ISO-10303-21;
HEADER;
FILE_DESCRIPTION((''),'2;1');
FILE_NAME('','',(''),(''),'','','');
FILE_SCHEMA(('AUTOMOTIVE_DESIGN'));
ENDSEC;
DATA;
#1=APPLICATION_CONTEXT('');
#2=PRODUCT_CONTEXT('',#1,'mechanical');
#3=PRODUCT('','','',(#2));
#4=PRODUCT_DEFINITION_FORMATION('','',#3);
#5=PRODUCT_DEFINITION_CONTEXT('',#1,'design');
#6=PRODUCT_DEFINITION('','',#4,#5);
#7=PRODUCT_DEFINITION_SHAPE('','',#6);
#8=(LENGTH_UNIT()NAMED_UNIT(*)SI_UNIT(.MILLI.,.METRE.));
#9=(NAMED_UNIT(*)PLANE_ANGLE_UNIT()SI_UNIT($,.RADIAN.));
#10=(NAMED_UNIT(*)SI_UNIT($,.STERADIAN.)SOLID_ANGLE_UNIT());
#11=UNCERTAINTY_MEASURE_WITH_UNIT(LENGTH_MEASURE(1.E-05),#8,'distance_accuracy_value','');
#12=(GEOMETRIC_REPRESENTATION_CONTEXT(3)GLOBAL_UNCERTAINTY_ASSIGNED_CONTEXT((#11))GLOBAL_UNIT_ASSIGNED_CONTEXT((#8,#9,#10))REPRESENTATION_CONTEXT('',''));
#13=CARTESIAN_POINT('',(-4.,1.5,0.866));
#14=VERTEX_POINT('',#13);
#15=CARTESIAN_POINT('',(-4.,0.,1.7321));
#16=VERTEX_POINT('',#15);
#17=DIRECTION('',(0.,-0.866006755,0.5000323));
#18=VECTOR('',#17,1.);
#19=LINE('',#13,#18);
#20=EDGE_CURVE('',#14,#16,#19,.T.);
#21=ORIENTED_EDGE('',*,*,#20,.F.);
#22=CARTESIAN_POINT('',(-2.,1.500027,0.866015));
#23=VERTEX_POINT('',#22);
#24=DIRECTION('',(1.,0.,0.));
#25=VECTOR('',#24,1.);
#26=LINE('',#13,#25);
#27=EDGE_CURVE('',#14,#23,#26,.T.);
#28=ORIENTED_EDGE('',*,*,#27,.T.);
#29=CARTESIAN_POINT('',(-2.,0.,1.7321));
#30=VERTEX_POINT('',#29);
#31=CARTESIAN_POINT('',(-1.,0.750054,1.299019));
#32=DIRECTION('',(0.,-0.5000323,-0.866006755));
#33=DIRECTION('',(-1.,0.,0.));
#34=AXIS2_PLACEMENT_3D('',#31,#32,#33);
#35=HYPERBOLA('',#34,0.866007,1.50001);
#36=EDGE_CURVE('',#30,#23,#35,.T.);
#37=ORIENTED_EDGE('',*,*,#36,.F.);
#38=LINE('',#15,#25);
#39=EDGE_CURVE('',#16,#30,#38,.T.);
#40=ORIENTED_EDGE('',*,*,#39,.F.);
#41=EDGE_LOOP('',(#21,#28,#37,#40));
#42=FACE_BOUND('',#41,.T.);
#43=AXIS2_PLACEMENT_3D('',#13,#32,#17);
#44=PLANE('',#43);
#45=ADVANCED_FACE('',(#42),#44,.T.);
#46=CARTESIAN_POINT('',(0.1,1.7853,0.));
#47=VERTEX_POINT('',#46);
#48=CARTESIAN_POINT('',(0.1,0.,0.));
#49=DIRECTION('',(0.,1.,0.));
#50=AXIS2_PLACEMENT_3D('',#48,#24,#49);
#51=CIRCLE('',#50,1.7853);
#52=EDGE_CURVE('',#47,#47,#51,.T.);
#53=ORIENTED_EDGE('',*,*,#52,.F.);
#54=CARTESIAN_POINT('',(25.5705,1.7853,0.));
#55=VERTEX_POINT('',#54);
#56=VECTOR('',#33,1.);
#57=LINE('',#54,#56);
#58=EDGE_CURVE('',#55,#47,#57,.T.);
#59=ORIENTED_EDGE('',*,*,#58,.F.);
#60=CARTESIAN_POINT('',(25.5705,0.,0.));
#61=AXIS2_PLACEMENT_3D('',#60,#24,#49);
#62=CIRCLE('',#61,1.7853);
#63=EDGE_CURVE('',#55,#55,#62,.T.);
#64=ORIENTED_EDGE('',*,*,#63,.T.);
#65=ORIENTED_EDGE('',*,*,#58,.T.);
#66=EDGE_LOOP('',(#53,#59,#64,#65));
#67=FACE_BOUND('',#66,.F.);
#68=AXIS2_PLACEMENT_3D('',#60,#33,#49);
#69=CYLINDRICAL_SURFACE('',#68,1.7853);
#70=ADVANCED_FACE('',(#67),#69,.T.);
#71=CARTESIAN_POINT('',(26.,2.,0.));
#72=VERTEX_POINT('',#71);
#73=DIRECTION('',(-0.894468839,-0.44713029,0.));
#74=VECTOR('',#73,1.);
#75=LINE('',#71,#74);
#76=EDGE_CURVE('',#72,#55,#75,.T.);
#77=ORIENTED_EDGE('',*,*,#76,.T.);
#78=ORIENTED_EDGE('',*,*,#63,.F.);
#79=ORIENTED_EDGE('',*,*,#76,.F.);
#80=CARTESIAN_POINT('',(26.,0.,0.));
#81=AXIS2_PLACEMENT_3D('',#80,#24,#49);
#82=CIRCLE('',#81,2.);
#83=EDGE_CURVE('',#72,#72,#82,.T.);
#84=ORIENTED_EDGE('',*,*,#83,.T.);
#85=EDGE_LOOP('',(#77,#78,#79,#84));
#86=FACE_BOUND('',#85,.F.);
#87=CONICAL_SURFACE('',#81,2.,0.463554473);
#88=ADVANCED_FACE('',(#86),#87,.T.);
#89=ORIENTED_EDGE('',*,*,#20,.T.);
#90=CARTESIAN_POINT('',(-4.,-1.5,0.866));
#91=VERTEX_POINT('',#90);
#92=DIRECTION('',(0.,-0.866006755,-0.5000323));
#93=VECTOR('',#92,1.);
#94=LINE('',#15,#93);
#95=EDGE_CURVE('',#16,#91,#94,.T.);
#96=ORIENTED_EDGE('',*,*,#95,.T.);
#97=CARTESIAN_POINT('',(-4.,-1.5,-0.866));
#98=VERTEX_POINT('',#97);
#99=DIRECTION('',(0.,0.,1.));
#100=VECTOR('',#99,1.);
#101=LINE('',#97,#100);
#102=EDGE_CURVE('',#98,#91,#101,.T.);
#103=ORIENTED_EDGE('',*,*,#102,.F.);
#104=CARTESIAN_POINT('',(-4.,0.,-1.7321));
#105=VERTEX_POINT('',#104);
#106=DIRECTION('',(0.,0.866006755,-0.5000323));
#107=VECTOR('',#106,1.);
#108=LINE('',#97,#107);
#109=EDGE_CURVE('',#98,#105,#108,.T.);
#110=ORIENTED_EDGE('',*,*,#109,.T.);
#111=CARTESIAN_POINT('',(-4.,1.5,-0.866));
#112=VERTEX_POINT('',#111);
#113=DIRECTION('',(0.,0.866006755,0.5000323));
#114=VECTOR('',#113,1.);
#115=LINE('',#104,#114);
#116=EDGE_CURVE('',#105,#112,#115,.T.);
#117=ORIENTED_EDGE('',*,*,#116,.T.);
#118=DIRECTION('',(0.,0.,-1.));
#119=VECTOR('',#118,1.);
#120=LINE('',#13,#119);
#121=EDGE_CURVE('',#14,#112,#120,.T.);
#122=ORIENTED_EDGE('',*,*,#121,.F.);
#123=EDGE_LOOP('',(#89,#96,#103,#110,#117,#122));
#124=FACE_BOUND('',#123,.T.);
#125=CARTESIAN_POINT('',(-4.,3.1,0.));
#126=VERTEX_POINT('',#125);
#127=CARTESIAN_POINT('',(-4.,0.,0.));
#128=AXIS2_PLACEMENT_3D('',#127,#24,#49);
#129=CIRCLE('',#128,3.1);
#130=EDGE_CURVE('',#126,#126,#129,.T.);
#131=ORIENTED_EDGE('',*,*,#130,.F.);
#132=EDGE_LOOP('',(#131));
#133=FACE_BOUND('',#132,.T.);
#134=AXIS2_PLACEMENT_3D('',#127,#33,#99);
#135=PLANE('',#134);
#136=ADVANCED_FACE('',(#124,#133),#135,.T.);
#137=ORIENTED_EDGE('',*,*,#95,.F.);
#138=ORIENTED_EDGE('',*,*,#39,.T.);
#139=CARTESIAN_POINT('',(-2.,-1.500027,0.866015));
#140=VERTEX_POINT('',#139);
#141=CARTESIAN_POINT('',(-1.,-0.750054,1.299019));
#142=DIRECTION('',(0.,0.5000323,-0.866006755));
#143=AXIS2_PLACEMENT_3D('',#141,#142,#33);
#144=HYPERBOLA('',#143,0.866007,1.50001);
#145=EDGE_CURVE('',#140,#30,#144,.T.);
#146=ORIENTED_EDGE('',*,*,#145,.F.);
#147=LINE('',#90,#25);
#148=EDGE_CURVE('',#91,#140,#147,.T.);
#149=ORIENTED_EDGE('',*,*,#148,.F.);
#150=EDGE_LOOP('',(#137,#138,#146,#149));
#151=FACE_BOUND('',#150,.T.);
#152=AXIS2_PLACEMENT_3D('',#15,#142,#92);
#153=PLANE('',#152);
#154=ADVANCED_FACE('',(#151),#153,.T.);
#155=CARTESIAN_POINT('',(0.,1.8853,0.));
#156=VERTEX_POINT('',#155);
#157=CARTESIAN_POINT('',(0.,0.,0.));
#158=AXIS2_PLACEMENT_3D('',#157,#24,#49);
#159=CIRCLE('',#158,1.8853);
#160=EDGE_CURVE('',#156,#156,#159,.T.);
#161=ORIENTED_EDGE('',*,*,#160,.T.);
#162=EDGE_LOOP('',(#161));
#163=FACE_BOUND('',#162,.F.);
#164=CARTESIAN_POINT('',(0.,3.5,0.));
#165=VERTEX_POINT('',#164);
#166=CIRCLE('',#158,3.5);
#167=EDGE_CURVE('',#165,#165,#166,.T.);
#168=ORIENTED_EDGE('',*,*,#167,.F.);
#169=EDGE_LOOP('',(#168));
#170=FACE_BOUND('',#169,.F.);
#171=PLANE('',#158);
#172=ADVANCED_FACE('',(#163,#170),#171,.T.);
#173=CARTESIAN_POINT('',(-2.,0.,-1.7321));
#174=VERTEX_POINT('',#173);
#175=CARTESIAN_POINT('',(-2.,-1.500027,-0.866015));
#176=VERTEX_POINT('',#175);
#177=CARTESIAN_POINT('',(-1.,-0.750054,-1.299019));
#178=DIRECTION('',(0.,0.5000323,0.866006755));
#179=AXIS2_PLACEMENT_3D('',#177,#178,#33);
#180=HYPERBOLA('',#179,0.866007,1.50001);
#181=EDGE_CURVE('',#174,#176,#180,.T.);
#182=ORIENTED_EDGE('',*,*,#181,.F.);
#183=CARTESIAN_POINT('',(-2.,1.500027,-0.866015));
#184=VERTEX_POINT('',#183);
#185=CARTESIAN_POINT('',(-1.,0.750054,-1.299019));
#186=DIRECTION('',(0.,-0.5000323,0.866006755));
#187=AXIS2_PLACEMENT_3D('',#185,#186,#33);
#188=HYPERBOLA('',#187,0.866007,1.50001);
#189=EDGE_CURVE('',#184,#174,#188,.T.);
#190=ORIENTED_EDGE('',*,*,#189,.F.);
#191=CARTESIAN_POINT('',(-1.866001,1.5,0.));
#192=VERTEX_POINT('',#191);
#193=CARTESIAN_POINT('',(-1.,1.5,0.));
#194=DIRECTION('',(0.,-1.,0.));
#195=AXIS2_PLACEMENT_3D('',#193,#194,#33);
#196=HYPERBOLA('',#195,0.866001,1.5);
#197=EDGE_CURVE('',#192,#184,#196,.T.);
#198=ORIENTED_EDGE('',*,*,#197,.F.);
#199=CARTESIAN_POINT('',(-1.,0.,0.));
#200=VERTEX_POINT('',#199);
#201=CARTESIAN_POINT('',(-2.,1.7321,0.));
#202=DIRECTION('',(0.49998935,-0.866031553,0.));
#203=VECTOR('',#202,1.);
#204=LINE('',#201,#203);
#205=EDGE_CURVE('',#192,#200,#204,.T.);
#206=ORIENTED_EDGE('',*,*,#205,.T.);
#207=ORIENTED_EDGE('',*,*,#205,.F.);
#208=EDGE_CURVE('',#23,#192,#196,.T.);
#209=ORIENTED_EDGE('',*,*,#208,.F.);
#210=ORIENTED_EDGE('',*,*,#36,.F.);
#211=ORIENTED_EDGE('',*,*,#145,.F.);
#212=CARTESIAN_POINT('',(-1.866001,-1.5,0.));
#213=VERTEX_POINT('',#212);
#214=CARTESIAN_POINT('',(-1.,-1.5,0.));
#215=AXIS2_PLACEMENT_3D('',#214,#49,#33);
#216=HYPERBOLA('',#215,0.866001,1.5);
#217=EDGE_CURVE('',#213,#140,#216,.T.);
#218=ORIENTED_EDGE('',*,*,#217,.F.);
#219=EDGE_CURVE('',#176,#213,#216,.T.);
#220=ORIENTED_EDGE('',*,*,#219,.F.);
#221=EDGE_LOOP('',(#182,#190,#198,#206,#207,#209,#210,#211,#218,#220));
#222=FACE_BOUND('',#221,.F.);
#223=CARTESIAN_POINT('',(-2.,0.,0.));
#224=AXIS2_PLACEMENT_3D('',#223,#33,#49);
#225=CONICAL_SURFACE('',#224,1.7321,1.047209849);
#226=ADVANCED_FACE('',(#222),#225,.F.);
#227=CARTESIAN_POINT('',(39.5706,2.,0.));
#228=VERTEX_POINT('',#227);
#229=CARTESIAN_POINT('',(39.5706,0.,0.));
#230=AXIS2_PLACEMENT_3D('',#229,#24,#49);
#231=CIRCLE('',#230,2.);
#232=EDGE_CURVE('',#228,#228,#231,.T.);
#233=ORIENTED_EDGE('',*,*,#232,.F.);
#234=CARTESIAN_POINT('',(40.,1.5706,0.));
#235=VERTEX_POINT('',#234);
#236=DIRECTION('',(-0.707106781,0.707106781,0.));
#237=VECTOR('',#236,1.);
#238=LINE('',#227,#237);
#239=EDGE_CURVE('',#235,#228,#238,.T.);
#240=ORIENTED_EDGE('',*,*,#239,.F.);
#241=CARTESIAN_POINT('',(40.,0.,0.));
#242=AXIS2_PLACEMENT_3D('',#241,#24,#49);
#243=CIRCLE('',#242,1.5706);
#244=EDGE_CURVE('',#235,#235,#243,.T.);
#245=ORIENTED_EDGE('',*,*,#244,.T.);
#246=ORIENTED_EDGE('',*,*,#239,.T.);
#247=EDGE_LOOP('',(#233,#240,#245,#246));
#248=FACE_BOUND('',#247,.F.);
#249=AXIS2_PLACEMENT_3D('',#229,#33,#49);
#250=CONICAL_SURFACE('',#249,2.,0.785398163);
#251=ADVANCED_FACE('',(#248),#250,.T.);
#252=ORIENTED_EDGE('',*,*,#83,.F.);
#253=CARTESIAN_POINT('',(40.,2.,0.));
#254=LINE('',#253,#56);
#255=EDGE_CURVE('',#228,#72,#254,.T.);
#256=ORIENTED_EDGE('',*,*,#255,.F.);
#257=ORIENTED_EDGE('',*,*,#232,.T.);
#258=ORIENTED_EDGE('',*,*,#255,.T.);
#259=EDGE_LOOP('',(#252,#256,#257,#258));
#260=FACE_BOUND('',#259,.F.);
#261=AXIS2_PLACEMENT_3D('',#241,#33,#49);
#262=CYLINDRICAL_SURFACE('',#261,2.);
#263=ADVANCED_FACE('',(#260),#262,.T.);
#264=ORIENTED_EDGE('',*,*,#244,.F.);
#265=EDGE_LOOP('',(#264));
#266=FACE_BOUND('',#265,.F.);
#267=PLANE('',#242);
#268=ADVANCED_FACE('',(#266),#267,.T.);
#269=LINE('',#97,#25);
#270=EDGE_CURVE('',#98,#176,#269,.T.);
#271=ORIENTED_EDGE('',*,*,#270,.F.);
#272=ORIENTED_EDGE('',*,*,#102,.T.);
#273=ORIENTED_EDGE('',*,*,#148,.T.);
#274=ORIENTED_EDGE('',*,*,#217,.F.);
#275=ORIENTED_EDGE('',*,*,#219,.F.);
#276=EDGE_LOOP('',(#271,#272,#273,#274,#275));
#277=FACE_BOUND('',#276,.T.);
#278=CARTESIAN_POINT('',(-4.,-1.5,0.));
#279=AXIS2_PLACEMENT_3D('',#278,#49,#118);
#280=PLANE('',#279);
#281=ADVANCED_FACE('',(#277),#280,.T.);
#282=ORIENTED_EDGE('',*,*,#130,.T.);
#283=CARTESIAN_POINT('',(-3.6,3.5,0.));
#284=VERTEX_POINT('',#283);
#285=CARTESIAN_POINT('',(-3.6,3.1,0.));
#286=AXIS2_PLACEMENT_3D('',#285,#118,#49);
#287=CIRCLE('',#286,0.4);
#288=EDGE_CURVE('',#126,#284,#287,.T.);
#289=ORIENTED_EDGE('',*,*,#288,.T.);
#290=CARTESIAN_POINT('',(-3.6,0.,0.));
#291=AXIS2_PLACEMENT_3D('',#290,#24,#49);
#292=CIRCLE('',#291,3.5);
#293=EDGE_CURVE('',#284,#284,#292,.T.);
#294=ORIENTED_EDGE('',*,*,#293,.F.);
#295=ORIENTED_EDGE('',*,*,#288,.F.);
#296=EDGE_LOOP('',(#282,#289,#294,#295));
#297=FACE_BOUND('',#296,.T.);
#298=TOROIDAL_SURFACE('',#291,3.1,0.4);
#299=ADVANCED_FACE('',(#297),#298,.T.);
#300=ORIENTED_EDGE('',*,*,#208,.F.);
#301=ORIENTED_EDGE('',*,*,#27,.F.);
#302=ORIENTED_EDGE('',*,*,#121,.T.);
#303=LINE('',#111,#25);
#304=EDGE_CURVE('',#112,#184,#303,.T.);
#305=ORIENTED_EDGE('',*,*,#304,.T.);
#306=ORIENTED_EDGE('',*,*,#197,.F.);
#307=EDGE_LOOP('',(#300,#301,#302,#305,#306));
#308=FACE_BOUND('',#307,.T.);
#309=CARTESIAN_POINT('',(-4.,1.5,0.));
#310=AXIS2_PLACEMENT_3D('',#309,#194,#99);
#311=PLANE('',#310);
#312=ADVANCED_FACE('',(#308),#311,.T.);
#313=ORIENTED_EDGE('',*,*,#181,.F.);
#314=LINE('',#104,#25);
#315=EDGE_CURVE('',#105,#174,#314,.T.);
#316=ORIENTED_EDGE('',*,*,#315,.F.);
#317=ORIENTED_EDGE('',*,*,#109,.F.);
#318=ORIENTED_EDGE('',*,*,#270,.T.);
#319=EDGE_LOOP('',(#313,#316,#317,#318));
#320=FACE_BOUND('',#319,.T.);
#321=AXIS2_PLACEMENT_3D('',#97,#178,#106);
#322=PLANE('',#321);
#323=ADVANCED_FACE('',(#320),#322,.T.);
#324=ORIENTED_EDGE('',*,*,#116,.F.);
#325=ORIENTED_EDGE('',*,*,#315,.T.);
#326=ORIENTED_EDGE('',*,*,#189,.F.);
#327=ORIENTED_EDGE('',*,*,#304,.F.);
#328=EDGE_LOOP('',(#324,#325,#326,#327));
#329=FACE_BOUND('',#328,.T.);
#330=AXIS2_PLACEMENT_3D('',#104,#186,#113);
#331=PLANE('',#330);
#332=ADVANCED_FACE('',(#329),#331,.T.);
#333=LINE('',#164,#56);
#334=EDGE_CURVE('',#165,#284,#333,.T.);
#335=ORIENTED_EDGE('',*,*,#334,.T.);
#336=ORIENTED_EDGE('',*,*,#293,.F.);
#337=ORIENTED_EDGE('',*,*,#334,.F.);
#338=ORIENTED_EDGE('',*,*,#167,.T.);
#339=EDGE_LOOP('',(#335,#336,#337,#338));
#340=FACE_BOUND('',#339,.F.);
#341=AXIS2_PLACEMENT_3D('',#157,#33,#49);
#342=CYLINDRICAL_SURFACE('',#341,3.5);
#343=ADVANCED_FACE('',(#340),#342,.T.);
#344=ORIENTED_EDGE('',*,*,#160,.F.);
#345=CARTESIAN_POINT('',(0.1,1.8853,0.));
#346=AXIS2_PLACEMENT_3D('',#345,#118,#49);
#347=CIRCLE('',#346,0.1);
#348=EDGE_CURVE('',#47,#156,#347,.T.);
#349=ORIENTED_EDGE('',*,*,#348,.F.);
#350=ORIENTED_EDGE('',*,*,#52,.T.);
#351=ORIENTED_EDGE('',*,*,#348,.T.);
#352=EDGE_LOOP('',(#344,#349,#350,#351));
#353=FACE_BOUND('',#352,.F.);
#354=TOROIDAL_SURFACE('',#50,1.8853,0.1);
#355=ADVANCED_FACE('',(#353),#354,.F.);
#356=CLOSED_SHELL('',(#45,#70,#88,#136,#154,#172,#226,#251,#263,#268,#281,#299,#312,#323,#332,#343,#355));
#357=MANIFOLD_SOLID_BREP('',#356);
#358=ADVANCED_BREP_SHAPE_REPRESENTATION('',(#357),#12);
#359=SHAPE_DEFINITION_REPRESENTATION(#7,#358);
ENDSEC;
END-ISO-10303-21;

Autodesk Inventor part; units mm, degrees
ref_plane "YZ Plane" through (0, 0, 0) normal (1, 0, 0) x (0, 1, 0)
ref_plane "XZ Plane" through (0, 0, 0) normal (0, 1, 0) x (-1, 0, 0)
sketch "Эскиз1" plane through (0, 0, 0) normal (0, 0, 1) x (1, 0, 0)
  line L0 (-1, 0) -> (40, 0)
  line L1 (40, 0) -> (40, 2)
  line L2 (40, 2) -> (26, 2)
  line L3 (26, 2) -> (25.5705, 1.7853)
  line L4 (25.5705, 1.7853) -> (0, 1.7853)
  line L5 (0, 1.7853) -> (0, 3.5)
  line L6 (0, 3.5) -> (-4, 3.5)
  line L7 (-4, 3.5) -> (-4, 1.7321)
  line L8 (-4, 1.7321) -> (-2, 1.7321)
  line L9 (-2, 1.7321) -> (-1, 0)
  line L10 (-12.8, 0) -> (48.8, 0) projected
  line L11 (0, -0.7) -> (0, 4.2) projected
  line L12 (26, 2) -> (0, 2) construction
  dimension "d1" = 14
  dimension "d2" = 0.4295
  dimension "d3" = 4
  dimension "d4" = 2
  dimension "d5" = 60
  dimension "d6" = 4
  dimension "d7" = 3.5705
  dimension "d8" = 3.4641
  dimension "d9" = 7
  dimension "d26" = 40
revolve "Базовый элемент" add sketch "Эскиз1" angle 360 about axis through (-1, 0, 0) along (1, 0, 0)
sketch "Эскиз2" plane through (-4, 0, 0) normal (-1, 0, 0) x (0, 0, 1)
  circle A0 centre (0, 0) radius 1.7321 projected
  line L0 (0, -4.9) -> (0, 4.9) projected
  line L1 (-4.9, 0) -> (4.9, 0) projected
  line L2 (1.7321, 0) -> (0.866, -1.5)
  line L3 (0.866, -1.5) -> (-0.866, -1.5)
  line L4 (-0.866, -1.5) -> (-1.7321, 0)
  line L5 (-1.7321, 0) -> (-0.866, 1.5)
  line L6 (-0.866, 1.5) -> (0.866, 1.5)
  line L7 (0.866, 1.5) -> (1.7321, 0)
extrude "Паз" add sketch "Эскиз2" against normal up to next contours L7 A0 | A0 L2 | L6 L0 A0 | A0 L0 L3 | L0 L6 A0 | A0 L3 L0 | L4 A0 | A0 L5
fillet "Сопряжение1" radius 0.4 1 edges at (-4, -3.5, 0)
thread "Резьба" size "M4x0.7" class "6g" standard "ISO Metric profile" length 14
chamfer "Фаска1" distance 0.4294 distance2 0.4294 1 edges at (40, -2, 0) measured on face at (40, -0.1312, -0.9006)
ref_plane "Work Plane1" through (29, 0, 0) normal (0, -1, 0) x (1, 0, 0)
fillet "Fillet2" radius 0.1 1 edges at (0, -1.7853, 0)
equation "\"d1\" = GEL"
equation "\"d3\" = KOH"
equation "\"d4\" = INTI"
equation "\"d6\" = GD"
equation "\"d7\" = BDM"
equation "\"d8\" = 1.1547 * SW"
equation "\"d9\" = KOD"
equation "\"d26\" = NLG"
equation "\"d30\" = R"
equation "\"d17\" = RR"
equation "\"d13\" = GEL"
equation "\"d15\" = -0.5 * SPD + 0.5 * GD"
equation "\"d16\" = GUL"
equation "\"GD\" = NND"
equation "\"NLG\" = 40"
equation "\"GEL\" = 14"
equation "\"KOD\" = 7"
equation "\"KOH\" = NND"
equation "\"INTI\" = 2"
equation "\"GAL\" = 0.61345 * PTC"
equation "\"GUL\" = 0.61345 * PTC"
equation "\"BDM\" = 3.5705"
equation "\"SW\" = 3"
equation "\"RR\" = 0.4"
equation "\"SPD\" = NND - 1.2269 * PTC"
equation "\"R\" = 0.1"
equation "\"PHH\" = 0.4"
equation "\"GD1\" = THREADDIA - 1.2269 * PTC"
equation "\"THREADDIA\" = 4"
equation "\"FAWI\" = 45deg"
equation "\"PTC\" = 0.7"
equation "\"NND\" = 4"
equation "\"TOA\" = 30deg"
equation "\"E0\" = 1.155 * SW"
properties part number "CSN 02 1143 - M4 x 40" material "Сталь, мягкая"
